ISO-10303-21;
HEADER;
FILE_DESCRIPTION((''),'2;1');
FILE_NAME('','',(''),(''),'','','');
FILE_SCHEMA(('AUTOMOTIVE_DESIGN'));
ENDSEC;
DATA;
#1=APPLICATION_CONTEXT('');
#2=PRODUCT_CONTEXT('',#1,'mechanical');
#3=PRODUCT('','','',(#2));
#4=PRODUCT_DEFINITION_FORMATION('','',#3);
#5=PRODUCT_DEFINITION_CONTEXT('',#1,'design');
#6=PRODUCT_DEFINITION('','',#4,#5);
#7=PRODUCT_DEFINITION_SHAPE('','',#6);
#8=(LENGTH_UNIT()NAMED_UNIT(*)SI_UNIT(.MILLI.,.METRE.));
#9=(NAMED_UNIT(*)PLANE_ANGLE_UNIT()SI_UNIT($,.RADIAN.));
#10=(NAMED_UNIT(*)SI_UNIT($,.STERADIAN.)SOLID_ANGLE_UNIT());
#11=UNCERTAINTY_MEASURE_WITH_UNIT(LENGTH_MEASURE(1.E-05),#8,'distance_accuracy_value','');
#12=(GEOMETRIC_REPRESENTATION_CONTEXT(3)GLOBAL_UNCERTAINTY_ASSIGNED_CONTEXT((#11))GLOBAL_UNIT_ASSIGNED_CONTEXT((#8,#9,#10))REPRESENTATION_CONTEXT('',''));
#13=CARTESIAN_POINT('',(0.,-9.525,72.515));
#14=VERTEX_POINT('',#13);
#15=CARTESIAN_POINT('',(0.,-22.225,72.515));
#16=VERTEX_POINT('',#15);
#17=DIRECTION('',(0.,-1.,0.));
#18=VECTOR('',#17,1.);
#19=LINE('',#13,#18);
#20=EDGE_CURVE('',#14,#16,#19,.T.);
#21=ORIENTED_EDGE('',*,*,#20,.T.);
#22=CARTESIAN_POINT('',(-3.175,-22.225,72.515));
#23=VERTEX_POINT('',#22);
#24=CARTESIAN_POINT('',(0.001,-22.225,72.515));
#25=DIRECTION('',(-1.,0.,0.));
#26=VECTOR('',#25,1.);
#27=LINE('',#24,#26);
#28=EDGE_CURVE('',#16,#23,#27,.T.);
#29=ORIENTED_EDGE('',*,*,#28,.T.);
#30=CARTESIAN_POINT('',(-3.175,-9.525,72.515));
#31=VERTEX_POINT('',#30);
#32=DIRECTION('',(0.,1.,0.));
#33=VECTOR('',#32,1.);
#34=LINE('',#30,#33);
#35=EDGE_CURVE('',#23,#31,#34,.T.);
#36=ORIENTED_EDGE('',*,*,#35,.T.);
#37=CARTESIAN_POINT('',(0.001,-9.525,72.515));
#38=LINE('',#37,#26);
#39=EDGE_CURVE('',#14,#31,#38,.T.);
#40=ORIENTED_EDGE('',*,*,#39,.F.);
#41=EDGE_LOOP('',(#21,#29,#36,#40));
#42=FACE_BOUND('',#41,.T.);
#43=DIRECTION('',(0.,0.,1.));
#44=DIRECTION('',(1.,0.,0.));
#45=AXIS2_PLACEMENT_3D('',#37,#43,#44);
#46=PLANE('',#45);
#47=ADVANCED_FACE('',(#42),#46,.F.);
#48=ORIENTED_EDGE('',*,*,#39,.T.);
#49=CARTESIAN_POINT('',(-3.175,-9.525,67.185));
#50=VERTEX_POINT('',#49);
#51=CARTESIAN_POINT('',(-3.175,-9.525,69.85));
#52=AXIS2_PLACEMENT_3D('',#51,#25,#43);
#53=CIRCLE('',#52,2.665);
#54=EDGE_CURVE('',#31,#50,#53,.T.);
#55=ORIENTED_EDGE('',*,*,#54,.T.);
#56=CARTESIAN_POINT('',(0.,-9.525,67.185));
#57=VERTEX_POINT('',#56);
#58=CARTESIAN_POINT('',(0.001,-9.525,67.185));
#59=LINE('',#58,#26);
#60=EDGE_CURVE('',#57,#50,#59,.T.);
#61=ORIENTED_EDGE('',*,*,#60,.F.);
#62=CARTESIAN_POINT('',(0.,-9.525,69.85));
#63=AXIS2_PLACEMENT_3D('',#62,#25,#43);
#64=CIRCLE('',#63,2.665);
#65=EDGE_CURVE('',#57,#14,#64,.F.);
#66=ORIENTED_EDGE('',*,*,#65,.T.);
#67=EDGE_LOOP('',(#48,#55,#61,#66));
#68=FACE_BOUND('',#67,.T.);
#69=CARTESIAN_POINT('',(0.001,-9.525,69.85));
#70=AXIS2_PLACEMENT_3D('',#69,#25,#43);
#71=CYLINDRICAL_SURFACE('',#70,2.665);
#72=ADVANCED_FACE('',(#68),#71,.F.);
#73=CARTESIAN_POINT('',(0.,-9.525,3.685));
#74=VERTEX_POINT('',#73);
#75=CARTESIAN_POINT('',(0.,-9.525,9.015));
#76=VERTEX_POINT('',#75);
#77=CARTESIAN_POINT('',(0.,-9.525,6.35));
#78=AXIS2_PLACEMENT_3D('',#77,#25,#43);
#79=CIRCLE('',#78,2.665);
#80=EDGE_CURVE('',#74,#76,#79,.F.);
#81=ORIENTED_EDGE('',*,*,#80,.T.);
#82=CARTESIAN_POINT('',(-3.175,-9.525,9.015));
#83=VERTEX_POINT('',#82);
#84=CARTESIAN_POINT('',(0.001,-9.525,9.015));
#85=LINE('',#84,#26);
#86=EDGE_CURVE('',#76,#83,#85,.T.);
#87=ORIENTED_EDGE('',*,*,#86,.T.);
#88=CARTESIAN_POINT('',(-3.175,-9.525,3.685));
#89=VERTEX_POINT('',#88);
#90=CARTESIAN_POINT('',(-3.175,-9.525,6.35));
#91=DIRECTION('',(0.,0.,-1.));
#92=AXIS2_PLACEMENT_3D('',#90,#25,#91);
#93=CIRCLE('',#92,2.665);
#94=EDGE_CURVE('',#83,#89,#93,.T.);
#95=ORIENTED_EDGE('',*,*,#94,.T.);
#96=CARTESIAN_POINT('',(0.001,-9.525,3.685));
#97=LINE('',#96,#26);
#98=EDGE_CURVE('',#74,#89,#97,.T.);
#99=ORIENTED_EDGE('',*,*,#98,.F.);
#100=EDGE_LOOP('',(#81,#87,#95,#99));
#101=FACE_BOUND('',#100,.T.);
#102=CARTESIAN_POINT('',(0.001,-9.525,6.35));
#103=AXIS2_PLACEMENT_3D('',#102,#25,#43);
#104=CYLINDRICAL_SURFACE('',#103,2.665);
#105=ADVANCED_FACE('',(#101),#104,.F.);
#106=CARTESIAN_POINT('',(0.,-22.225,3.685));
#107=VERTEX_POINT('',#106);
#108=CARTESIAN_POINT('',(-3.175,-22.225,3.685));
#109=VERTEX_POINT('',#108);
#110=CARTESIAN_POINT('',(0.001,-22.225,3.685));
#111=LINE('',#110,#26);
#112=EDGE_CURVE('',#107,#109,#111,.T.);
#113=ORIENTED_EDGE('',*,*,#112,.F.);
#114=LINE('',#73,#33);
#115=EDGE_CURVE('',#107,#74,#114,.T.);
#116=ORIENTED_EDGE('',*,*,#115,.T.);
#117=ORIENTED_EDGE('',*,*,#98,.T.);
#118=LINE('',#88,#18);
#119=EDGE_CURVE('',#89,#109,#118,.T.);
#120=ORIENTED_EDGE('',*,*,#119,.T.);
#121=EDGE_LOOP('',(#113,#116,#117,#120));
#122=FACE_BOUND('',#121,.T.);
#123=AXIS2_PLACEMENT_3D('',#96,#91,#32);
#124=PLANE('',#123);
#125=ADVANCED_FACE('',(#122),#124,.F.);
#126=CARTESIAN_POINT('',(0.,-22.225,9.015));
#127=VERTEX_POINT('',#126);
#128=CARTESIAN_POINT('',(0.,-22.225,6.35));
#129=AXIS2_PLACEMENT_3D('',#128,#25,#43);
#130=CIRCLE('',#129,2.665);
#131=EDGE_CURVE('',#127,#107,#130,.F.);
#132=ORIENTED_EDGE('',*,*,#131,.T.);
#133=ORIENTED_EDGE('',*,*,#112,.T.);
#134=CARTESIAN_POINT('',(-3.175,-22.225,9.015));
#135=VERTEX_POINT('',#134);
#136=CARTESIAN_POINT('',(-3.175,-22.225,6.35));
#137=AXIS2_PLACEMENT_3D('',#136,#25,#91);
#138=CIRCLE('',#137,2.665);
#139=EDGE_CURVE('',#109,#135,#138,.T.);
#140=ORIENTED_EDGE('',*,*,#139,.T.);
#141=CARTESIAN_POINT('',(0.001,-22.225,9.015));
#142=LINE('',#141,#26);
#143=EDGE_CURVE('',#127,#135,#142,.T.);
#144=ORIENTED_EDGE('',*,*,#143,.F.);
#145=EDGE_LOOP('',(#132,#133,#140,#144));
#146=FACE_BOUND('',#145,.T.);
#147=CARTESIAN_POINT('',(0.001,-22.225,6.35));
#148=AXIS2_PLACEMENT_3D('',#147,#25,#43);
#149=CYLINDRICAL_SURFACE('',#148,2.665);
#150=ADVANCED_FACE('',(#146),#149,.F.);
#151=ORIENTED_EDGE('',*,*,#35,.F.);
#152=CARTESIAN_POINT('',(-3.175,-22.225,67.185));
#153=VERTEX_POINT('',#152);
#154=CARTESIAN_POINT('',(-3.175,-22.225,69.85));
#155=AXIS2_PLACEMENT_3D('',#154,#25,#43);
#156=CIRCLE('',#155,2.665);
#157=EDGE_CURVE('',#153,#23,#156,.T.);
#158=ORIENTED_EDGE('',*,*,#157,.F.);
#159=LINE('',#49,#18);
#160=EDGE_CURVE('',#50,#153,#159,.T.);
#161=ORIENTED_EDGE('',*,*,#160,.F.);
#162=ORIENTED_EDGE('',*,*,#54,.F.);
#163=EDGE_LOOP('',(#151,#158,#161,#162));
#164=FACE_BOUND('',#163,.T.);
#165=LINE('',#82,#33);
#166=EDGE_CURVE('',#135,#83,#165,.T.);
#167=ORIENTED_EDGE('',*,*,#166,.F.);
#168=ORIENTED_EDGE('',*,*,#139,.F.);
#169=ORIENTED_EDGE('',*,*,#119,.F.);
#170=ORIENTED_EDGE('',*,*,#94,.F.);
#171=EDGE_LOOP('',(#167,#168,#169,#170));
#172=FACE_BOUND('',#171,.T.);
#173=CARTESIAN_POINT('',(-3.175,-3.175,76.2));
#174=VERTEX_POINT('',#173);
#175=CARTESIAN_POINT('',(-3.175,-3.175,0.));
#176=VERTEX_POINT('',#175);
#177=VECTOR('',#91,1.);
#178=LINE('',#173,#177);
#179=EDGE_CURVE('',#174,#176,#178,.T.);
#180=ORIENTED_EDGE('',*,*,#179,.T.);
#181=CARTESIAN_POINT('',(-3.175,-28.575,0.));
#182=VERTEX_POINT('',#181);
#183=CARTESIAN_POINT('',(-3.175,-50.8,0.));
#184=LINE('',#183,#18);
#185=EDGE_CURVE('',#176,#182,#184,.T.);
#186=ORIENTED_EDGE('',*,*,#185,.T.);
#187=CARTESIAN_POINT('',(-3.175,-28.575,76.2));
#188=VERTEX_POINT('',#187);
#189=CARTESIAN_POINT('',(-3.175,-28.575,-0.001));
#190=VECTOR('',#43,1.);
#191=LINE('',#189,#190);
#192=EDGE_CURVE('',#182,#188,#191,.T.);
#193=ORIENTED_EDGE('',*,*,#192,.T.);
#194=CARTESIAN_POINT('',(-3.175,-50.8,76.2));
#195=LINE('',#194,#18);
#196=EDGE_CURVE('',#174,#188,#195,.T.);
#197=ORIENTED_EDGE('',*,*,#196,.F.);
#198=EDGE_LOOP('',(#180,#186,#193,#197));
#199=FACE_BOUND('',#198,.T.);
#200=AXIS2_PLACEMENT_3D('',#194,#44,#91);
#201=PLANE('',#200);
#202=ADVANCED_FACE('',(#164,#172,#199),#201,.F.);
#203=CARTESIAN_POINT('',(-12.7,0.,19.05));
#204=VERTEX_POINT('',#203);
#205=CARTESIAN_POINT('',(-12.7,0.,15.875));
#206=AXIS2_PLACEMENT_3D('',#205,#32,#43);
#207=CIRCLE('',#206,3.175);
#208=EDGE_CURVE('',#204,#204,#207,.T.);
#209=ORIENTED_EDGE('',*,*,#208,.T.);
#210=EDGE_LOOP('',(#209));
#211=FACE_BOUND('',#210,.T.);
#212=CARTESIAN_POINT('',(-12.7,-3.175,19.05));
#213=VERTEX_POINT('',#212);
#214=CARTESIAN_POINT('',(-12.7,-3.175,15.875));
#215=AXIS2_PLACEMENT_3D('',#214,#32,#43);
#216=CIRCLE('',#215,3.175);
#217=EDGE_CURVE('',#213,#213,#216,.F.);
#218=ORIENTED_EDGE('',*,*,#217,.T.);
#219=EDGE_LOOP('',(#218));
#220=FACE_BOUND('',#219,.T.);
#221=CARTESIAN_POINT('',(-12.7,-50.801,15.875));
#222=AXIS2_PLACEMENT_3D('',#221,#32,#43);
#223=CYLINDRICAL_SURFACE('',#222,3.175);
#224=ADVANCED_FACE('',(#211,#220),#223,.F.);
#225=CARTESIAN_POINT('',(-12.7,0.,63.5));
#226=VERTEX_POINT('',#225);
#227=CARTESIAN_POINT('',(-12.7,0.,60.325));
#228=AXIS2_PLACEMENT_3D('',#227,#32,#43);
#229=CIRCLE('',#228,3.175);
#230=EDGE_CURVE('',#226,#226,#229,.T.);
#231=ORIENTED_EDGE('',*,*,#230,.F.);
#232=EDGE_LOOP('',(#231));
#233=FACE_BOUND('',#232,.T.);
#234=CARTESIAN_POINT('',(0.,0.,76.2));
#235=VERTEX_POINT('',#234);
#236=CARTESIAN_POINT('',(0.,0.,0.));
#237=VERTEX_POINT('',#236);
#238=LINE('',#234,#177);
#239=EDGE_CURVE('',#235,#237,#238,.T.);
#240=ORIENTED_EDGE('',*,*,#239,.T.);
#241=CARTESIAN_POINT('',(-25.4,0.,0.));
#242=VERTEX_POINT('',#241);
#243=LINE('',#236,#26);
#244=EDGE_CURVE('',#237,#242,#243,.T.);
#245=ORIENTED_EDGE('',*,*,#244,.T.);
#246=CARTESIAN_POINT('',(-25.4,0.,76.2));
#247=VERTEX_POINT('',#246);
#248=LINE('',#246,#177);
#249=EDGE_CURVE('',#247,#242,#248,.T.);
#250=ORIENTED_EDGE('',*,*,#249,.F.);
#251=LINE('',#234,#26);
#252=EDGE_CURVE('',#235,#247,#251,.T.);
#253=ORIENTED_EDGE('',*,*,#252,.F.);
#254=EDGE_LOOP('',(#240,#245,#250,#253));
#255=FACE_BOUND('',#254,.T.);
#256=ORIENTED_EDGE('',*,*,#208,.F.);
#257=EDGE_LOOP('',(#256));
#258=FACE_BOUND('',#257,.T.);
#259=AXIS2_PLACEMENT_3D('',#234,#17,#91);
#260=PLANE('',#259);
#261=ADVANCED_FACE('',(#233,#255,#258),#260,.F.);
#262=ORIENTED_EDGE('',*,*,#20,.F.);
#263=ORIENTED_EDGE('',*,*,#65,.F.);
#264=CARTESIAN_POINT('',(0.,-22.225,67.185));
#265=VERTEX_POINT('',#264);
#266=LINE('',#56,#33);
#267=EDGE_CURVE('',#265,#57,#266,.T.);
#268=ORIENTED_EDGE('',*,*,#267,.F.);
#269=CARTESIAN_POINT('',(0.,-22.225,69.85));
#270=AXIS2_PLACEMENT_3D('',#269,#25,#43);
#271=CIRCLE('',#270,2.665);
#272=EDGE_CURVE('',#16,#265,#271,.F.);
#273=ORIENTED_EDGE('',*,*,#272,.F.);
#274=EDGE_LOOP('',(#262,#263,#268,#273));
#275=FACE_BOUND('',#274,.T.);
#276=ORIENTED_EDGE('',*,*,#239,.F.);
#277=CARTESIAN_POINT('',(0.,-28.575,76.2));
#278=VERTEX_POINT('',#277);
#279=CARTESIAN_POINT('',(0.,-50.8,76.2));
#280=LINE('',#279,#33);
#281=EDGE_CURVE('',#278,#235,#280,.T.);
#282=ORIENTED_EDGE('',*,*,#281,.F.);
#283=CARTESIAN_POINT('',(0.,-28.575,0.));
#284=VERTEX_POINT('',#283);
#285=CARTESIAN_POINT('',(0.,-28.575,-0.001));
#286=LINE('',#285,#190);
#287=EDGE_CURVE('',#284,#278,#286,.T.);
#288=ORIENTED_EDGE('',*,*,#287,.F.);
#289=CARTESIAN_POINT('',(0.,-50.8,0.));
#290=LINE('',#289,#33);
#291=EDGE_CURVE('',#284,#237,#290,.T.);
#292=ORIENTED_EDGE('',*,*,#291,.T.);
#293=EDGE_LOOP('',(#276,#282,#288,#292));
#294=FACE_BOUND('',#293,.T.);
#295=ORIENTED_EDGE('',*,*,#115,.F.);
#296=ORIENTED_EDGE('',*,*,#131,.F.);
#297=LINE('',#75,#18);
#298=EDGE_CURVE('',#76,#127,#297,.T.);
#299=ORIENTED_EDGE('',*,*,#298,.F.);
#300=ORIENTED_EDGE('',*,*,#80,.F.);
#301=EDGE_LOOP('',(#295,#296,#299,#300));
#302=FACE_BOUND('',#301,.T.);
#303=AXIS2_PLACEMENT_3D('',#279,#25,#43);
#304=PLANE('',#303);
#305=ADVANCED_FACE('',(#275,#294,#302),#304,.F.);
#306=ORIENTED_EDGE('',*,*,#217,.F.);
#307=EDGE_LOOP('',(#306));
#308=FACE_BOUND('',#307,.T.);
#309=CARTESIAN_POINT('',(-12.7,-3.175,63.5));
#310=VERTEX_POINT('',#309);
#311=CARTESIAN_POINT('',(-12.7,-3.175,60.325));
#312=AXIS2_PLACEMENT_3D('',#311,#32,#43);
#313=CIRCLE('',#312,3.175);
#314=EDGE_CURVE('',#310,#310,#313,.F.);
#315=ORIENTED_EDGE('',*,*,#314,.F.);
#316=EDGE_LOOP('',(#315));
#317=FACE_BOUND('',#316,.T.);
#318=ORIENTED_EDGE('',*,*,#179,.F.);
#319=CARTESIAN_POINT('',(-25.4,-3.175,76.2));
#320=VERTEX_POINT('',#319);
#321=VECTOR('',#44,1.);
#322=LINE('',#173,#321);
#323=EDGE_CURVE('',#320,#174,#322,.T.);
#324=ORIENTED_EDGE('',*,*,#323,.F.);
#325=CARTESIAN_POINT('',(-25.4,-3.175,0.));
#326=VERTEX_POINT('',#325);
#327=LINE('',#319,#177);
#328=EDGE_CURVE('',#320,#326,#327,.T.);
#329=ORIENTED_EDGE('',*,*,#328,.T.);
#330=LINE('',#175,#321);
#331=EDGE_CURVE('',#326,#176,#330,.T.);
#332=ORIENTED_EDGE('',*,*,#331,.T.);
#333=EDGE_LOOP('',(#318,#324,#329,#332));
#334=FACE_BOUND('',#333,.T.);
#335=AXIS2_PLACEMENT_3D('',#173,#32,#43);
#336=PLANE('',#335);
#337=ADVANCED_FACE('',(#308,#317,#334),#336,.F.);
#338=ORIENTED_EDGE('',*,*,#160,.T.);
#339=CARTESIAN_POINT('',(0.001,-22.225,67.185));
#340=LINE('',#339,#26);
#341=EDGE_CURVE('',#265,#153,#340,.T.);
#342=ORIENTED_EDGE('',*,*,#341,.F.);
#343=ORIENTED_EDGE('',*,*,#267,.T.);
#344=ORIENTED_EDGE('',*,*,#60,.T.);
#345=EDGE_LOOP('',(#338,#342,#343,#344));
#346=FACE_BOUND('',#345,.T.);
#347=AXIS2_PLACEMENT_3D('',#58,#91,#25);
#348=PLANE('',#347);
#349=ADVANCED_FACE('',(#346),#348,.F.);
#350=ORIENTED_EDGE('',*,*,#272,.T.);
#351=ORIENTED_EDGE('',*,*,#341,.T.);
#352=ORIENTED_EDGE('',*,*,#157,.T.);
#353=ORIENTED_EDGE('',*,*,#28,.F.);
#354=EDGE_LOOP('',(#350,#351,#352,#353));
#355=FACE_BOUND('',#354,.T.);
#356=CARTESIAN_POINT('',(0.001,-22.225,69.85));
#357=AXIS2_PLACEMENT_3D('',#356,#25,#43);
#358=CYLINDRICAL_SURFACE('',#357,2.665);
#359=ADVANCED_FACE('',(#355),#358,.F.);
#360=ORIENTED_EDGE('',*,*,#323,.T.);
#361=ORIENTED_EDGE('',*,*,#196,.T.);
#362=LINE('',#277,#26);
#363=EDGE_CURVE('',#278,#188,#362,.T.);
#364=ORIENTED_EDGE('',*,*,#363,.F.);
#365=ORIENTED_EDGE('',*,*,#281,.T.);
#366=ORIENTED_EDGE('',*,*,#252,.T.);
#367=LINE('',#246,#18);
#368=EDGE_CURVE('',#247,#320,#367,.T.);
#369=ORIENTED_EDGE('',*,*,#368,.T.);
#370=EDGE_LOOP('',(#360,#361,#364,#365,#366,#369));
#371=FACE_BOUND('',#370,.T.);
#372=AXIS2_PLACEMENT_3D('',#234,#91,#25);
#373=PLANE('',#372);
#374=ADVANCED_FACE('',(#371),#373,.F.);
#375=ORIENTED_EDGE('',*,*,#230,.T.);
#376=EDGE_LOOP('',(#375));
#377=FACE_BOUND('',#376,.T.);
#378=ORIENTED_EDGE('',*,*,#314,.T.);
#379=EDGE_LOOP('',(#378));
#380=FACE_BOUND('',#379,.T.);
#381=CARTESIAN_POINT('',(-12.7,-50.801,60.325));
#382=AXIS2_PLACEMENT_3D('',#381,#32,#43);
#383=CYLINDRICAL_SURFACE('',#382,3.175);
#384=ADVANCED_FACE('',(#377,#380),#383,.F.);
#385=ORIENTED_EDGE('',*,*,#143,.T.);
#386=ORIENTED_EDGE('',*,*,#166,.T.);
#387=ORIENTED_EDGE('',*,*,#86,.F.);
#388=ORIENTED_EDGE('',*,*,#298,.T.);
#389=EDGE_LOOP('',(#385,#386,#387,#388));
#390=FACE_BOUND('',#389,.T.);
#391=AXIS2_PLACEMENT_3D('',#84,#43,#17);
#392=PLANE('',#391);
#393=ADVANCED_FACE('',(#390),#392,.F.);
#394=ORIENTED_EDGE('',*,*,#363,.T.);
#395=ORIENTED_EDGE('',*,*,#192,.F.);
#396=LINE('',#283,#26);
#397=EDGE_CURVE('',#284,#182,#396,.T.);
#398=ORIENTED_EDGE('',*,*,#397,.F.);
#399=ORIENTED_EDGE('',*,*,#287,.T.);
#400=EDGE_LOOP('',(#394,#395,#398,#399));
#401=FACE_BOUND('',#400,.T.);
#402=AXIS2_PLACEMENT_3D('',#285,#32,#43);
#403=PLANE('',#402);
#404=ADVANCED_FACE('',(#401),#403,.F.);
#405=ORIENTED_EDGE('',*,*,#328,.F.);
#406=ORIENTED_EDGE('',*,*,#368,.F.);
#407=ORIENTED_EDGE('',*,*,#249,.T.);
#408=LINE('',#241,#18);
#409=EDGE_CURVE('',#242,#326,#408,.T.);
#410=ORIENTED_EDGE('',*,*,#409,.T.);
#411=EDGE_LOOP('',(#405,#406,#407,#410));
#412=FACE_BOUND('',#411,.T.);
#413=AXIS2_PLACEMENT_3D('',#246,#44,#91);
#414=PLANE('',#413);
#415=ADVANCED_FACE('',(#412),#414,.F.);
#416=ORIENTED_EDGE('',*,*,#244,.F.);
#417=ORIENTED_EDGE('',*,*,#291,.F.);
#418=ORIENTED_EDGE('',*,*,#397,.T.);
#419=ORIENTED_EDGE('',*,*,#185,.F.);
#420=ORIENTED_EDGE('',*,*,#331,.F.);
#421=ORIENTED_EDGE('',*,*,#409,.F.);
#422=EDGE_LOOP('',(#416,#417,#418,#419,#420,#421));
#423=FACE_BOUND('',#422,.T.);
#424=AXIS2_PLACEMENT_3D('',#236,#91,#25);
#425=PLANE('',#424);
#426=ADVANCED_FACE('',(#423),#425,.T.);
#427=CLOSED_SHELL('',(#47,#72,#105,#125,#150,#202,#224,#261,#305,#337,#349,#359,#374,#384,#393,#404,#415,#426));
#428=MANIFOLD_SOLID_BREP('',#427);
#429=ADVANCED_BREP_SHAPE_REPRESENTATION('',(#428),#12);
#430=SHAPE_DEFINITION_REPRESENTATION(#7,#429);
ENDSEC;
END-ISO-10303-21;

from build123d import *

# Parameters (mm, degrees)
BOSS_EXTRUDE1_DEPTH = 76.2
CUT_EXTRUDE1_REACH  = 97.038
SKETCH2_R           = 3.175
CUT_EXTRUDE2_REACH  = 97.038
SKETCH3_W           = 3.175
SKETCH3_H           = 22.225
CUT_EXTRUDE3_REACH  = 86.362


with BuildPart() as part:
    # Sketch1 → Boss-Extrude1 (new body)
    with BuildSketch(Plane.XY):
        Polygon((0, -50.8), (0, 0), (-25.4, 0), (-25.4, -3.175), (-3.175, -3.175), (-3.175, -50.8), align=None)
    extrude(amount=BOSS_EXTRUDE1_DEPTH)

    # Sketch2 → Cut-Extrude1 (cut, up to next)
    with BuildSketch(Plane(origin=(0, 0, 0), x_dir=(1, 0, 0), z_dir=(0, 1, 0)), mode=Mode.PRIVATE) as cut_extrude1_sk1:
        with Locations(Location((-12.7, -15.875, 0), (0, 0, 270))):
            Circle(SKETCH2_R)
    cut_extrude1_tool1 = extrude(cut_extrude1_sk1.sketch, amount=-CUT_EXTRUDE1_REACH, mode=Mode.PRIVATE) & part.part
    # Sketch2 → Cut-Extrude1 (cut, up to next)
    with BuildSketch(Plane(origin=(0, 0, 0), x_dir=(1, 0, 0), z_dir=(0, 1, 0)), mode=Mode.PRIVATE) as cut_extrude1_sk2:
        with Locations(Location((-12.7, -60.325, 0), (0, 0, 270))):
            Circle(SKETCH2_R)
    cut_extrude1_tool2 = extrude(cut_extrude1_sk2.sketch, amount=-CUT_EXTRUDE1_REACH, mode=Mode.PRIVATE) & part.part
    add(cut_extrude1_tool1.solids().sort_by_distance((-12.7, 0, 15.875))[0], mode=Mode.SUBTRACT)
    add(cut_extrude1_tool2.solids().sort_by_distance((-12.7, 0, 60.325))[0], mode=Mode.SUBTRACT)

    # Sketch3 → Cut-Extrude2 (cut, up to next)
    with BuildSketch(Plane.XY.offset(76.2), mode=Mode.PRIVATE) as cut_extrude2_sk1:
        with Locations((-1.5875, -39.6875)):
            Rectangle(SKETCH3_W, SKETCH3_H)
    cut_extrude2_tool1 = extrude(cut_extrude2_sk1.sketch, amount=-CUT_EXTRUDE2_REACH, mode=Mode.PRIVATE) & part.part
    add(cut_extrude2_tool1.solids().sort_by_distance((-1.5875, -39.6875, 76.2))[0], mode=Mode.SUBTRACT)

    # Sketch4 → Cut-Extrude3 (cut, up to next)
    with BuildSketch(Plane.ZY.offset(3.175), mode=Mode.PRIVATE) as cut_extrude3_sk1:
        with BuildLine():
            Line((72.515, -9.525), (72.515, -22.225))
            ThreePointArc((72.515, -22.225), (69.85, -24.89), (67.185, -22.225))
            Line((67.185, -22.225), (67.185, -9.525))
            ThreePointArc((67.185, -9.525), (69.85, -6.86), (72.515, -9.525))
        make_face()
    cut_extrude3_tool1 = extrude(cut_extrude3_sk1.sketch, amount=-CUT_EXTRUDE3_REACH, mode=Mode.PRIVATE) & part.part
    # Sketch4 → Cut-Extrude3 (cut, up to next)
    with BuildSketch(Plane.ZY.offset(3.175), mode=Mode.PRIVATE) as cut_extrude3_sk2:
        with BuildLine():
            Line((3.685, -9.525), (3.685, -22.225))
            ThreePointArc((3.685, -22.225), (6.35, -24.89), (9.015, -22.225))
            Line((9.015, -22.225), (9.015, -9.525))
            ThreePointArc((9.015, -9.525), (6.35, -6.86), (3.685, -9.525))
        make_face()
    cut_extrude3_tool2 = extrude(cut_extrude3_sk2.sketch, amount=-CUT_EXTRUDE3_REACH, mode=Mode.PRIVATE) & part.part
    add(cut_extrude3_tool1.solids().sort_by_distance((-3.175, -15.875, 69.85))[0], mode=Mode.SUBTRACT)
    add(cut_extrude3_tool2.solids().sort_by_distance((-3.175, -15.875, 6.35))[0], mode=Mode.SUBTRACT)


solid = part.part
